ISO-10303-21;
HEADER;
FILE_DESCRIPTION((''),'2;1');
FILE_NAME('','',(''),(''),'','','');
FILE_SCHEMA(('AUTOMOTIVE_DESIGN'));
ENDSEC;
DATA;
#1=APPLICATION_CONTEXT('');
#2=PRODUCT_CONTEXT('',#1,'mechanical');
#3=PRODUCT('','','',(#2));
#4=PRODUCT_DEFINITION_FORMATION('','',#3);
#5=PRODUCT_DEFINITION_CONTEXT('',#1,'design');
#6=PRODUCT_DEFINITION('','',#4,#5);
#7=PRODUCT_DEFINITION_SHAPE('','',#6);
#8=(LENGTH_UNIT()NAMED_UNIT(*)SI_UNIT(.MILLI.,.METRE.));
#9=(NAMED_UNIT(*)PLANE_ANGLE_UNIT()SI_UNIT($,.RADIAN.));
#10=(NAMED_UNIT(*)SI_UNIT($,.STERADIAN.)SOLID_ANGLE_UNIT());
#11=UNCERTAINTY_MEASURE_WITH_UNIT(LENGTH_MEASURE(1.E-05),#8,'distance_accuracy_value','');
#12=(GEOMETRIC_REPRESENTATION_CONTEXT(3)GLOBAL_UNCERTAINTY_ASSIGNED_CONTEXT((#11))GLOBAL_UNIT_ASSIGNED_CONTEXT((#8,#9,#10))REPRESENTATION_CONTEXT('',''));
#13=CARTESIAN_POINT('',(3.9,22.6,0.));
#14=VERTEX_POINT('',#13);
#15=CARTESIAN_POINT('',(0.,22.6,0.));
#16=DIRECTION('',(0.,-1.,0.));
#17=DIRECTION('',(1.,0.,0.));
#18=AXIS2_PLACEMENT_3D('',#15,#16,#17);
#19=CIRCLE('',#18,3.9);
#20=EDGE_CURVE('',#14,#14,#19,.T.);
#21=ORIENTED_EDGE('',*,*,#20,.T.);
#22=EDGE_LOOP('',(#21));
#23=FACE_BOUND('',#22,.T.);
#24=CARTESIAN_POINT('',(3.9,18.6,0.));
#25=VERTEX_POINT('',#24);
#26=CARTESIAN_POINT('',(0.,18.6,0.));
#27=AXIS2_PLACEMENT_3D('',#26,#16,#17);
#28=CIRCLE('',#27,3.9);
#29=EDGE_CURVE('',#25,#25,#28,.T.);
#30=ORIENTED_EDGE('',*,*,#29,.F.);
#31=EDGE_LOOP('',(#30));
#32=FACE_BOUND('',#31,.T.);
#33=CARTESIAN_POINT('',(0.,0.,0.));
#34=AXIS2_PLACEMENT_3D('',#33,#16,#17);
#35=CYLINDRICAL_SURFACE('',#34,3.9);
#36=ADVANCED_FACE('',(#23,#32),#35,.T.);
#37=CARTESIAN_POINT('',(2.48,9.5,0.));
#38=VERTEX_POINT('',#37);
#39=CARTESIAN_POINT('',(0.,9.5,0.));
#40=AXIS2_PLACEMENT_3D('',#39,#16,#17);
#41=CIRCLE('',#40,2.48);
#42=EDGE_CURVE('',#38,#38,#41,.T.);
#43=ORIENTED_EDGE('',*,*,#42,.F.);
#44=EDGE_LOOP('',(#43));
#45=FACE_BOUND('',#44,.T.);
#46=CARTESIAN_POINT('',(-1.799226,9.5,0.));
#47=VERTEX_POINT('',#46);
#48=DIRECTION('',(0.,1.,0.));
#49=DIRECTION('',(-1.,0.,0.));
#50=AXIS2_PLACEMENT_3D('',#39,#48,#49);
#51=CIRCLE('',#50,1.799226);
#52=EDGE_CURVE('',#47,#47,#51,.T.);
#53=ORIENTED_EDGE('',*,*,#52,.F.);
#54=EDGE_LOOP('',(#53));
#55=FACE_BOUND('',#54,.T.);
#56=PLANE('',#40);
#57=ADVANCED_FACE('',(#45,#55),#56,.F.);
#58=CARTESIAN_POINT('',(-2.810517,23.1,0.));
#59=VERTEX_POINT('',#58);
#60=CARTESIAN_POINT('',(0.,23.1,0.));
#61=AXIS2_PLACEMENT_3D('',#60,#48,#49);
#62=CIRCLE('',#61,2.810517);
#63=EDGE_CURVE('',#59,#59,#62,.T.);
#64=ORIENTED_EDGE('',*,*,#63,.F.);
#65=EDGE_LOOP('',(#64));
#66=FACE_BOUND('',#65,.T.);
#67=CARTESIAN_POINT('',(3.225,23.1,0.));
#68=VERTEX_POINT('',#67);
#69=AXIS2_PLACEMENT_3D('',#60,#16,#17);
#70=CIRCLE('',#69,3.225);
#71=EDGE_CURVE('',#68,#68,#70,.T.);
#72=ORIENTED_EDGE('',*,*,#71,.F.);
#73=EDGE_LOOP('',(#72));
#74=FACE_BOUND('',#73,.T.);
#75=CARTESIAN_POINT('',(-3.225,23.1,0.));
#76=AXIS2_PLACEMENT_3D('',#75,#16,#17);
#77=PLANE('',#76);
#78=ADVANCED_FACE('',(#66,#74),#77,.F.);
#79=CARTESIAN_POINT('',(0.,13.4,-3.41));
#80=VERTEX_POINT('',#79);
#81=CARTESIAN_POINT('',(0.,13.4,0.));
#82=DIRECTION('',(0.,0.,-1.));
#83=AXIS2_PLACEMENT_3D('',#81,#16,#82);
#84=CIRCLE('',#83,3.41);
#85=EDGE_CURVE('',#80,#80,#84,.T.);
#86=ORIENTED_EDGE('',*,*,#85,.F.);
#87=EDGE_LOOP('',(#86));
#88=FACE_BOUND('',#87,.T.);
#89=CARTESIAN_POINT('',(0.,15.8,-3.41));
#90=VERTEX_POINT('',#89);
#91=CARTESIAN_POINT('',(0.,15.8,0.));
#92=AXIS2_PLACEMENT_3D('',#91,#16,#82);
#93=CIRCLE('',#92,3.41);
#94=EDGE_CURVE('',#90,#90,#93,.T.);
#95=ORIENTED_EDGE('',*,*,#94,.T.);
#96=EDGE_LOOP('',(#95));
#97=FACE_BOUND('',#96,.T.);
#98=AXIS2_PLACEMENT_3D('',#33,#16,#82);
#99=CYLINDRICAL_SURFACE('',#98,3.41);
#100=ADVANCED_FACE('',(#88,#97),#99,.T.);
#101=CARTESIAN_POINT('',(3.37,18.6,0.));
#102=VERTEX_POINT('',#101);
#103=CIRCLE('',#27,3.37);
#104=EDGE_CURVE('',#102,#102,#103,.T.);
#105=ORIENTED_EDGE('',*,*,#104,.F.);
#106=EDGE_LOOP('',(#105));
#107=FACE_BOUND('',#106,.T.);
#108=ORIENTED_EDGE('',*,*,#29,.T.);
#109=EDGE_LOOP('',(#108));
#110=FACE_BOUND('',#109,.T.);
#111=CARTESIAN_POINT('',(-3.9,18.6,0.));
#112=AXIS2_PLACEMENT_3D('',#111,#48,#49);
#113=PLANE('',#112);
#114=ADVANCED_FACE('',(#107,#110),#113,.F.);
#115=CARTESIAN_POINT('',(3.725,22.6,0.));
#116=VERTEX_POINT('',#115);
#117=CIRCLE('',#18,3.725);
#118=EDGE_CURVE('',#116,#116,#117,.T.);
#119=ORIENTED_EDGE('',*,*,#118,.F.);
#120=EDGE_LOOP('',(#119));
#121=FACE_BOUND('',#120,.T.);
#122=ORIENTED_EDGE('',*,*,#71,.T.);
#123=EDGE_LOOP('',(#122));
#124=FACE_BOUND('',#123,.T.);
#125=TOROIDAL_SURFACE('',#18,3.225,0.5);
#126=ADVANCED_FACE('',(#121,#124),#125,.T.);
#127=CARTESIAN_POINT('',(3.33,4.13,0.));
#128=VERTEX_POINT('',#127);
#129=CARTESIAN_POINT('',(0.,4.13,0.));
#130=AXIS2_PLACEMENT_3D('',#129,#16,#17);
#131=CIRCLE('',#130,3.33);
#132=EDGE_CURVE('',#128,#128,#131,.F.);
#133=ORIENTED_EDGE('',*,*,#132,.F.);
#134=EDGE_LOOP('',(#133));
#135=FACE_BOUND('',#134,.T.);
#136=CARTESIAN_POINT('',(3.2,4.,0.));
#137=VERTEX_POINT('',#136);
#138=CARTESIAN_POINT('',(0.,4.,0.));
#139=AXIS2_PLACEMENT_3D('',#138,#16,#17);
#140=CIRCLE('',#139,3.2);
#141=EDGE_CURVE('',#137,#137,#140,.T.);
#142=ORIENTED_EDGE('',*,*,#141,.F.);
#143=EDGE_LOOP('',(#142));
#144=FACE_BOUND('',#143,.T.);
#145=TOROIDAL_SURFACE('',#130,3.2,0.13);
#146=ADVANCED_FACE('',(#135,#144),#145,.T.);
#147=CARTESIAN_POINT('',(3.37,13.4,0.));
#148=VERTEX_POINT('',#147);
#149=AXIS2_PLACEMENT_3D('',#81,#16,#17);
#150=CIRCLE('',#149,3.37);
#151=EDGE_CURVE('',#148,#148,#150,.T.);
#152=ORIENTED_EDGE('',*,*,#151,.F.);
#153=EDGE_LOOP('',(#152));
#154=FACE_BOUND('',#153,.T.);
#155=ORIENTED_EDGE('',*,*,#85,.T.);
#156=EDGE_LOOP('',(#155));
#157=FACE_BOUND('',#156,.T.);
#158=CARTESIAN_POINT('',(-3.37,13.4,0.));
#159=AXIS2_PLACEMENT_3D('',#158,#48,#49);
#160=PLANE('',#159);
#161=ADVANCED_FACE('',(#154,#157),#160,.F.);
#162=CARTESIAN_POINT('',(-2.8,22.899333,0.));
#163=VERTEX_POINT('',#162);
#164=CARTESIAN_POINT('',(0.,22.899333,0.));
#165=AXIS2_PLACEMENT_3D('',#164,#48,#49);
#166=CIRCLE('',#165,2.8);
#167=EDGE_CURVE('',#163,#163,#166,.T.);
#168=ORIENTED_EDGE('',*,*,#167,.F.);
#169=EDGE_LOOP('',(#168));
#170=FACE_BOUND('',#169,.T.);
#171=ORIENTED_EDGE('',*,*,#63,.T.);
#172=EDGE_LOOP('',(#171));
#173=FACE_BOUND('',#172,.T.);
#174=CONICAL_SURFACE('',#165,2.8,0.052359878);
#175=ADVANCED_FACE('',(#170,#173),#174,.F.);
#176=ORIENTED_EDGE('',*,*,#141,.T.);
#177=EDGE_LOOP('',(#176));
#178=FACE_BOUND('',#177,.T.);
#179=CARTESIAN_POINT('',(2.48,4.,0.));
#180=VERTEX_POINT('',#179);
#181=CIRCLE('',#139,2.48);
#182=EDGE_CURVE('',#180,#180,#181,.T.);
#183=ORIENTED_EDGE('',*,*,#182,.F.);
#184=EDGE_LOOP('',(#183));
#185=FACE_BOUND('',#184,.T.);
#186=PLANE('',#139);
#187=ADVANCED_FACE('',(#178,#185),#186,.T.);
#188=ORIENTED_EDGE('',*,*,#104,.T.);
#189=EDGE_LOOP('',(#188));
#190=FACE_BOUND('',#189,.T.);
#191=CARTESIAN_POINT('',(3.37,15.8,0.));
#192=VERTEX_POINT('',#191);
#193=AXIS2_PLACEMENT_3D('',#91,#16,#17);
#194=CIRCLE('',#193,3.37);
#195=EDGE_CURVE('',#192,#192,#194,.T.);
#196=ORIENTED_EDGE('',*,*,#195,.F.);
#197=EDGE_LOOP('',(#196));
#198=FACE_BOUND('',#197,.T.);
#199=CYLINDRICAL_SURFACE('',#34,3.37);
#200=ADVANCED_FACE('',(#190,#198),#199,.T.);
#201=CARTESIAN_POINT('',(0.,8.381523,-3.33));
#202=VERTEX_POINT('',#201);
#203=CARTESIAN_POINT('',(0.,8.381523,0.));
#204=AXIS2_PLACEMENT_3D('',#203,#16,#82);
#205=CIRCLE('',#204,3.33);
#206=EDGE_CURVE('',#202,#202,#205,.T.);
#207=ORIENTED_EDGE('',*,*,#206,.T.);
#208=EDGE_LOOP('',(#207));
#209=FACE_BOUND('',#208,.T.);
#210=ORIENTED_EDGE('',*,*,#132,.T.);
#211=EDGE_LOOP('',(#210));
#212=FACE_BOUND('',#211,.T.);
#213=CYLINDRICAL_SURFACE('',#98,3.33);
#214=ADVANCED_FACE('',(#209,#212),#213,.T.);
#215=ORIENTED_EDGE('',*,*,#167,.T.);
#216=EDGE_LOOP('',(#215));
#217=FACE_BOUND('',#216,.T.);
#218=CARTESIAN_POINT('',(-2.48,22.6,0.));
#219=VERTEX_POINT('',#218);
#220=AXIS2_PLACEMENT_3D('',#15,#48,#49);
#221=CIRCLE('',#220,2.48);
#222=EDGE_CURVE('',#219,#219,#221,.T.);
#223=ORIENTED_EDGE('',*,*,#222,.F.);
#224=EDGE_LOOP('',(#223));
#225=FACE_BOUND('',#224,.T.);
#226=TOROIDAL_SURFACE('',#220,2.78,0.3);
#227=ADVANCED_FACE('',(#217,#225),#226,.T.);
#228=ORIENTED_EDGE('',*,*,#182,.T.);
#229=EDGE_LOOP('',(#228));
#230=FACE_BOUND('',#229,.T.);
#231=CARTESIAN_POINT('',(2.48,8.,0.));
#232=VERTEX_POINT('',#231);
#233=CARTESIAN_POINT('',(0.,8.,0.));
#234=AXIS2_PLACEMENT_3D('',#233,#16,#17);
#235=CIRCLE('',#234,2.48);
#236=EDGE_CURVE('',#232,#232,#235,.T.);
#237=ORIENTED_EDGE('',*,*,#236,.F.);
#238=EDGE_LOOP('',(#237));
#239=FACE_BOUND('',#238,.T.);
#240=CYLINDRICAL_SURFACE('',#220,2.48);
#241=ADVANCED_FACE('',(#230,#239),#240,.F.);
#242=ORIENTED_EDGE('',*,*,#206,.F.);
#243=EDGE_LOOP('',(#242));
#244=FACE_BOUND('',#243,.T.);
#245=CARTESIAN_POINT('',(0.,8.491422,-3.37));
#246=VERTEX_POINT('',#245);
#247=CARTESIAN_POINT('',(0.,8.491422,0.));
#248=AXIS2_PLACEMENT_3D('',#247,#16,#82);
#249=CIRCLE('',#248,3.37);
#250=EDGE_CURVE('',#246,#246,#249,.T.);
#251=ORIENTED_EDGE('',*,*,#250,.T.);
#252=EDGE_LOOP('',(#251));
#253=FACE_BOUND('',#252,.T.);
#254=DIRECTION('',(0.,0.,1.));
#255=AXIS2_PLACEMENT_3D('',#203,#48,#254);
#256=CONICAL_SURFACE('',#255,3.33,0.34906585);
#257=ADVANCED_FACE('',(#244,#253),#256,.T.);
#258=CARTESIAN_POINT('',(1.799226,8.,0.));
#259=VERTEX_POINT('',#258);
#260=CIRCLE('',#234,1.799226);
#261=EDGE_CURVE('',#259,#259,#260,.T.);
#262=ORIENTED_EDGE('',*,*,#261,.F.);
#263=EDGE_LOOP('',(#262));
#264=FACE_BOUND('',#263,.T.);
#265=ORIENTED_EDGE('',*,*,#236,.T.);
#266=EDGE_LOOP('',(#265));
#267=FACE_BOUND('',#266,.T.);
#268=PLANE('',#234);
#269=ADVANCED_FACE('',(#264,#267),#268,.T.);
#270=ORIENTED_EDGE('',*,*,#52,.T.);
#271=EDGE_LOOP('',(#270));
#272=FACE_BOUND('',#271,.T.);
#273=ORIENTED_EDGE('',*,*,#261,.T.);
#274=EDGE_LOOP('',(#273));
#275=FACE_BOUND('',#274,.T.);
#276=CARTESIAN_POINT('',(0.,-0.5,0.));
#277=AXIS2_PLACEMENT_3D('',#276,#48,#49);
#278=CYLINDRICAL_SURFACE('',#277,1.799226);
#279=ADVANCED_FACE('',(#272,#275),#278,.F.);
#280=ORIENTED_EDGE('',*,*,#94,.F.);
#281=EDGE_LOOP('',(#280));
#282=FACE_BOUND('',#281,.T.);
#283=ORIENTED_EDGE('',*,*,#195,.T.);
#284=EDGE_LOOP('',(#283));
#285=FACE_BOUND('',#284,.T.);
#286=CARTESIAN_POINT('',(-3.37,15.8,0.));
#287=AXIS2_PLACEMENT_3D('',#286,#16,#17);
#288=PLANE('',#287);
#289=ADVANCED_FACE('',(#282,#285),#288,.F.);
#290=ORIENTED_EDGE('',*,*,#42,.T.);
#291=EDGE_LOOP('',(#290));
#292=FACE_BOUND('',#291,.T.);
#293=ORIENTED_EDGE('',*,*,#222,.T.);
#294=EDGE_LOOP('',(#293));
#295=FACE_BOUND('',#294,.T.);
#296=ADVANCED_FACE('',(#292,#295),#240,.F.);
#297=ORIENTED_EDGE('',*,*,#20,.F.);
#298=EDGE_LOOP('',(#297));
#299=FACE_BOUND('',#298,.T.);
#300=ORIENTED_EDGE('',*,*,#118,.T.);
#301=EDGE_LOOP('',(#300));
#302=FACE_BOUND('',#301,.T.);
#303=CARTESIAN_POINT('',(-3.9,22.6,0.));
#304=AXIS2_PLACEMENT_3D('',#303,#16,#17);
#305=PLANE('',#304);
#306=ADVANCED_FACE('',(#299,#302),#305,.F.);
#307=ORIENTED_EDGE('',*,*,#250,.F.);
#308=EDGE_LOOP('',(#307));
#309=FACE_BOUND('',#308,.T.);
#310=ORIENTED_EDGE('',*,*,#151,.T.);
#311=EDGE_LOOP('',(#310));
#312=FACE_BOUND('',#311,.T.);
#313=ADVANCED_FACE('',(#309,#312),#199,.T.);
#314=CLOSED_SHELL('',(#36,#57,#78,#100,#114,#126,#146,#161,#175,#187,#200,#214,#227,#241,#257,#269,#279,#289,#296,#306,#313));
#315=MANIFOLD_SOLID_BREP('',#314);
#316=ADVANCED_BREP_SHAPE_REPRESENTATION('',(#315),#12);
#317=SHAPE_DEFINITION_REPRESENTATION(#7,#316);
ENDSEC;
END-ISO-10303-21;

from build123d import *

# Parameters (mm, degrees)
ESBO_O3_R                  = 1.5
CORTE_EXTRUS_O1_DEPTH      = 1.8
CORTE_EXTRUS_O2_DEPTH      = 24.74931578
CORTE_EXTRUS_O2_DEPTH_BACK = 24.74931578
FILETE1_R                  = 0.2
ESBO_O12_R                 = 4.66979075
CORTE_EXTRUS_O3_DEPTH      = 4
ESBO_O15_R                 = 2.353382699
RESSALTO_EXTRUS_O2_DEPTH   = 1
FILETE2_R                  = 0.13
CORTE_EXTRUS_O4_DEPTH      = 20.400515457
CORTE_EXTRUS_O4_DEPTH_BACK = 20.400515457
ESBO_O16_R                 = 2.48
ESBO_O18_R                 = 2.48
RESSALTO_EXTRUS_O3_DEPTH   = 1.5
ESBO_O19_R                 = 0.75
RESSALTO_EXTRUS_O4_DEPTH   = 4
FILETE3_R                  = 0.5
ESBO_O20_R                 = 1.799226356
CORTE_EXTRUS_O5_DEPTH      = 10


with BuildPart() as part:
    # Esboço1 → Revolução1 (revolve)
    with BuildSketch(Plane.XY, mode=Mode.PRIVATE) as revolu_o1_sk:
        with BuildLine():
            Line((-3.37, 10.501320708), (-3.41, 10.501320708))
            Line((-3.41, 10.501320708), (-3.41, 8.101320708))
            Line((-3.41, 8.101320708), (-3.37, 8.101320708))
            Line((-3.37, 8.101320708), (-3.37, 4.101320708))
            Line((-3.37, 4.101320708), (-2.725, 2.329197773))
            Line((-2.725, 2.329197773), (-2.725, 0))
            Line((-2.725, 0), (0, 0))
            Line((0, 0), (0, 23.1))
            Line((0, 23.1), (-3.225, 23.1))
            ThreePointArc((-3.225, 23.1), (-3.578553391, 22.953553391), (-3.725, 22.6))
            Line((-3.725, 22.6), (-3.9, 22.6))
            Line((-3.9, 22.6), (-3.9, 18.6))
            Line((-3.9, 18.6), (-3.37, 18.6))
            Line((-3.37, 18.6), (-3.37, 15.8))
            Line((-3.37, 15.8), (-3.43, 15.8))
            Line((-3.43, 15.8), (-3.43, 13.4))
            Line((-3.43, 13.4), (-3.37, 13.4))
            Line((-3.37, 13.4), (-3.37, 10.501320708))
        make_face()
    revolve(revolu_o1_sk.sketch.rotate(Axis((0, 0, 0), (0, 1, 0)), 180), axis=Axis((0, 0, 0), (0, 1, 0)))

    # Esboço3 → Corte-extrusão1 (cut)
    with BuildSketch(Plane.XZ):
        Circle(ESBO_O3_R)
    extrude(amount=-CORTE_EXTRUS_O1_DEPTH, mode=Mode.SUBTRACT)

    # Esboço5 → Corte-extrusão2 (cut, two sides: drawn at the far end of the back side and taken through both)
    with BuildSketch(Plane(origin=(0, 0, 0), x_dir=(0, 0, -1), z_dir=(1, 0, 0)).offset(-CORTE_EXTRUS_O2_DEPTH_BACK)):
        Polygon((-0.589187623, 0), (0.589187623, 0), (0.4, 1.8), (-0.4, 1.8), align=None)
    extrude(amount=CORTE_EXTRUS_O2_DEPTH + CORTE_EXTRUS_O2_DEPTH_BACK, mode=Mode.SUBTRACT)

    # Esboço6 → Corte-Revolução1 (revolve, cut)
    with BuildSketch(Plane.XY, mode=Mode.PRIVATE) as corte_revolu_o1_sk:
        with BuildLine():
            Line((2.810516533, 23.1), (0, 23.1))
            Line((0, 23.1), (0, 22.6))
            Line((0, 22.6), (0, 3.9))
            ThreePointArc((0, 3.9), (0.790569415, 3.771708245), (1.5, 3.4))
            Line((1.5, 3.4), (1.75, 3.4))
            Line((1.75, 3.4), (1.75, 6.491111566))
            Line((1.75, 6.491111566), (2.45, 9.103547132))
            Line((2.45, 9.103547132), (2.45, 9.822456454))
            Line((2.45, 9.822456454), (2.26, 10.9))
            Line((2.26, 10.9), (2.46, 10.9))
            Line((2.46, 10.9), (2.46, 12.094100045))
            Line((2.46, 12.094100045), (2.265, 13.2))
            Line((2.265, 13.2), (2.465, 13.2))
            Line((2.465, 13.2), (2.48, 16.765743636))
            Line((2.48, 16.765743636), (2.28, 17.9))
            Line((2.28, 17.9), (2.48, 17.9))
            Line((2.48, 17.9), (2.48, 22.6))
            ThreePointArc((2.48, 22.6), (2.575060985, 22.819089023), (2.8, 22.899332591))
            Line((2.8, 22.899332591), (2.810516533, 23.1))
        make_face()
    revolve(corte_revolu_o1_sk.sketch.rotate(Axis((0, 22.6, 0), (0, -1, 0)), 180), axis=Axis((0, 22.6, 0), (0, -1, 0)), mode=Mode.SUBTRACT)

    # Filete1
    filete1_edges = [part.edges().sort_by_distance(p)[0] for p in [
        (1.75, 3.4, 0),
    ]]
    fillet(filete1_edges, radius=FILETE1_R)

    # Esboço9 → Corte-Revolução2 (revolve, cut)
    with BuildSketch(Plane.XY, mode=Mode.PRIVATE) as corte_revolu_o2_sk:
        Polygon((-6.004910607, 22.6), (-3.9, 22.6), (-3.9, 18.6), (-3.37, 18.6), (-3.37, 15.8), (-3.41, 15.8), (-3.41, 13.4), (-3.37, 13.4), (-3.37, 8.491421612), (-3.33, 8.381522515), (-3.33, 3.991421612), (-2.725, 2.329197773), (-6.004910607, 2.329197773), align=None)
    revolve(corte_revolu_o2_sk.sketch.rotate(Axis((0, 0, 0), (0, 1, 0)), 270), axis=Axis((0, 0, 0), (0, 1, 0)), mode=Mode.SUBTRACT)

    # Esboço12 → Corte-extrusão3 (cut)
    with BuildSketch(Plane.XZ):
        Circle(ESBO_O12_R)
    extrude(amount=-CORTE_EXTRUS_O3_DEPTH, mode=Mode.SUBTRACT)

    # Esboço15 → Ressalto-extrusão2 (add)
    with BuildSketch(Plane(origin=(0, 4.5, 0), x_dir=(-1, 0, 0), z_dir=(0, -1, 0))):
        Circle(ESBO_O15_R)
    extrude(amount=-RESSALTO_EXTRUS_O2_DEPTH)

    # Filete2
    filete2_edges = [part.edges().sort_by_distance(p)[0] for p in [
        (1.75, 4, 0),
        (0, 4, 3.33),
        (1.75, 6.491111566, 0),
        (2.45, 9.103547132, 0),
    ]]
    fillet(filete2_edges, radius=FILETE2_R)

    # Esboço16 → Corte-extrusão4 (cut, two sides: drawn at the far end of the back side and taken through both)
    with BuildSketch(Plane.XZ.offset(-4.5).offset(-CORTE_EXTRUS_O4_DEPTH_BACK)):
        with Locations(Location((0, 0, 0), (0, 0, 180))):
            Circle(ESBO_O16_R)
    extrude(amount=CORTE_EXTRUS_O4_DEPTH + CORTE_EXTRUS_O4_DEPTH_BACK, mode=Mode.SUBTRACT)

    # Esboço18 → Ressalto-extrusão3 (add)
    with BuildSketch(Plane(origin=(0, 8, 0), x_dir=(-1, 0, 0), z_dir=(0, -1, 0))):
        Circle(ESBO_O18_R)
    extrude(amount=-RESSALTO_EXTRUS_O3_DEPTH)

    # Esboço19 → Ressalto-extrusão4 (add)
    with BuildSketch(Plane.XZ.offset(-8)):
        Circle(ESBO_O19_R)
    extrude(amount=RESSALTO_EXTRUS_O4_DEPTH)

    # Filete3
    filete3_edges = [part.edges().sort_by_distance(p)[0] for p in [
        (-0.75, 4, 0),
    ]]
    fillet(filete3_edges, radius=FILETE3_R)

    # Esboço20 → Corte-extrusão5 (cut)
    with BuildSketch(Plane(origin=(0, 9.5, 0), x_dir=(1, 0, 0), z_dir=(0, 1, 0))):
        with Locations(Location((0, 0, 0), (0, 0, 180))):
            Circle(ESBO_O20_R)
    extrude(amount=-CORTE_EXTRUS_O5_DEPTH, mode=Mode.SUBTRACT)


solid = part.part
